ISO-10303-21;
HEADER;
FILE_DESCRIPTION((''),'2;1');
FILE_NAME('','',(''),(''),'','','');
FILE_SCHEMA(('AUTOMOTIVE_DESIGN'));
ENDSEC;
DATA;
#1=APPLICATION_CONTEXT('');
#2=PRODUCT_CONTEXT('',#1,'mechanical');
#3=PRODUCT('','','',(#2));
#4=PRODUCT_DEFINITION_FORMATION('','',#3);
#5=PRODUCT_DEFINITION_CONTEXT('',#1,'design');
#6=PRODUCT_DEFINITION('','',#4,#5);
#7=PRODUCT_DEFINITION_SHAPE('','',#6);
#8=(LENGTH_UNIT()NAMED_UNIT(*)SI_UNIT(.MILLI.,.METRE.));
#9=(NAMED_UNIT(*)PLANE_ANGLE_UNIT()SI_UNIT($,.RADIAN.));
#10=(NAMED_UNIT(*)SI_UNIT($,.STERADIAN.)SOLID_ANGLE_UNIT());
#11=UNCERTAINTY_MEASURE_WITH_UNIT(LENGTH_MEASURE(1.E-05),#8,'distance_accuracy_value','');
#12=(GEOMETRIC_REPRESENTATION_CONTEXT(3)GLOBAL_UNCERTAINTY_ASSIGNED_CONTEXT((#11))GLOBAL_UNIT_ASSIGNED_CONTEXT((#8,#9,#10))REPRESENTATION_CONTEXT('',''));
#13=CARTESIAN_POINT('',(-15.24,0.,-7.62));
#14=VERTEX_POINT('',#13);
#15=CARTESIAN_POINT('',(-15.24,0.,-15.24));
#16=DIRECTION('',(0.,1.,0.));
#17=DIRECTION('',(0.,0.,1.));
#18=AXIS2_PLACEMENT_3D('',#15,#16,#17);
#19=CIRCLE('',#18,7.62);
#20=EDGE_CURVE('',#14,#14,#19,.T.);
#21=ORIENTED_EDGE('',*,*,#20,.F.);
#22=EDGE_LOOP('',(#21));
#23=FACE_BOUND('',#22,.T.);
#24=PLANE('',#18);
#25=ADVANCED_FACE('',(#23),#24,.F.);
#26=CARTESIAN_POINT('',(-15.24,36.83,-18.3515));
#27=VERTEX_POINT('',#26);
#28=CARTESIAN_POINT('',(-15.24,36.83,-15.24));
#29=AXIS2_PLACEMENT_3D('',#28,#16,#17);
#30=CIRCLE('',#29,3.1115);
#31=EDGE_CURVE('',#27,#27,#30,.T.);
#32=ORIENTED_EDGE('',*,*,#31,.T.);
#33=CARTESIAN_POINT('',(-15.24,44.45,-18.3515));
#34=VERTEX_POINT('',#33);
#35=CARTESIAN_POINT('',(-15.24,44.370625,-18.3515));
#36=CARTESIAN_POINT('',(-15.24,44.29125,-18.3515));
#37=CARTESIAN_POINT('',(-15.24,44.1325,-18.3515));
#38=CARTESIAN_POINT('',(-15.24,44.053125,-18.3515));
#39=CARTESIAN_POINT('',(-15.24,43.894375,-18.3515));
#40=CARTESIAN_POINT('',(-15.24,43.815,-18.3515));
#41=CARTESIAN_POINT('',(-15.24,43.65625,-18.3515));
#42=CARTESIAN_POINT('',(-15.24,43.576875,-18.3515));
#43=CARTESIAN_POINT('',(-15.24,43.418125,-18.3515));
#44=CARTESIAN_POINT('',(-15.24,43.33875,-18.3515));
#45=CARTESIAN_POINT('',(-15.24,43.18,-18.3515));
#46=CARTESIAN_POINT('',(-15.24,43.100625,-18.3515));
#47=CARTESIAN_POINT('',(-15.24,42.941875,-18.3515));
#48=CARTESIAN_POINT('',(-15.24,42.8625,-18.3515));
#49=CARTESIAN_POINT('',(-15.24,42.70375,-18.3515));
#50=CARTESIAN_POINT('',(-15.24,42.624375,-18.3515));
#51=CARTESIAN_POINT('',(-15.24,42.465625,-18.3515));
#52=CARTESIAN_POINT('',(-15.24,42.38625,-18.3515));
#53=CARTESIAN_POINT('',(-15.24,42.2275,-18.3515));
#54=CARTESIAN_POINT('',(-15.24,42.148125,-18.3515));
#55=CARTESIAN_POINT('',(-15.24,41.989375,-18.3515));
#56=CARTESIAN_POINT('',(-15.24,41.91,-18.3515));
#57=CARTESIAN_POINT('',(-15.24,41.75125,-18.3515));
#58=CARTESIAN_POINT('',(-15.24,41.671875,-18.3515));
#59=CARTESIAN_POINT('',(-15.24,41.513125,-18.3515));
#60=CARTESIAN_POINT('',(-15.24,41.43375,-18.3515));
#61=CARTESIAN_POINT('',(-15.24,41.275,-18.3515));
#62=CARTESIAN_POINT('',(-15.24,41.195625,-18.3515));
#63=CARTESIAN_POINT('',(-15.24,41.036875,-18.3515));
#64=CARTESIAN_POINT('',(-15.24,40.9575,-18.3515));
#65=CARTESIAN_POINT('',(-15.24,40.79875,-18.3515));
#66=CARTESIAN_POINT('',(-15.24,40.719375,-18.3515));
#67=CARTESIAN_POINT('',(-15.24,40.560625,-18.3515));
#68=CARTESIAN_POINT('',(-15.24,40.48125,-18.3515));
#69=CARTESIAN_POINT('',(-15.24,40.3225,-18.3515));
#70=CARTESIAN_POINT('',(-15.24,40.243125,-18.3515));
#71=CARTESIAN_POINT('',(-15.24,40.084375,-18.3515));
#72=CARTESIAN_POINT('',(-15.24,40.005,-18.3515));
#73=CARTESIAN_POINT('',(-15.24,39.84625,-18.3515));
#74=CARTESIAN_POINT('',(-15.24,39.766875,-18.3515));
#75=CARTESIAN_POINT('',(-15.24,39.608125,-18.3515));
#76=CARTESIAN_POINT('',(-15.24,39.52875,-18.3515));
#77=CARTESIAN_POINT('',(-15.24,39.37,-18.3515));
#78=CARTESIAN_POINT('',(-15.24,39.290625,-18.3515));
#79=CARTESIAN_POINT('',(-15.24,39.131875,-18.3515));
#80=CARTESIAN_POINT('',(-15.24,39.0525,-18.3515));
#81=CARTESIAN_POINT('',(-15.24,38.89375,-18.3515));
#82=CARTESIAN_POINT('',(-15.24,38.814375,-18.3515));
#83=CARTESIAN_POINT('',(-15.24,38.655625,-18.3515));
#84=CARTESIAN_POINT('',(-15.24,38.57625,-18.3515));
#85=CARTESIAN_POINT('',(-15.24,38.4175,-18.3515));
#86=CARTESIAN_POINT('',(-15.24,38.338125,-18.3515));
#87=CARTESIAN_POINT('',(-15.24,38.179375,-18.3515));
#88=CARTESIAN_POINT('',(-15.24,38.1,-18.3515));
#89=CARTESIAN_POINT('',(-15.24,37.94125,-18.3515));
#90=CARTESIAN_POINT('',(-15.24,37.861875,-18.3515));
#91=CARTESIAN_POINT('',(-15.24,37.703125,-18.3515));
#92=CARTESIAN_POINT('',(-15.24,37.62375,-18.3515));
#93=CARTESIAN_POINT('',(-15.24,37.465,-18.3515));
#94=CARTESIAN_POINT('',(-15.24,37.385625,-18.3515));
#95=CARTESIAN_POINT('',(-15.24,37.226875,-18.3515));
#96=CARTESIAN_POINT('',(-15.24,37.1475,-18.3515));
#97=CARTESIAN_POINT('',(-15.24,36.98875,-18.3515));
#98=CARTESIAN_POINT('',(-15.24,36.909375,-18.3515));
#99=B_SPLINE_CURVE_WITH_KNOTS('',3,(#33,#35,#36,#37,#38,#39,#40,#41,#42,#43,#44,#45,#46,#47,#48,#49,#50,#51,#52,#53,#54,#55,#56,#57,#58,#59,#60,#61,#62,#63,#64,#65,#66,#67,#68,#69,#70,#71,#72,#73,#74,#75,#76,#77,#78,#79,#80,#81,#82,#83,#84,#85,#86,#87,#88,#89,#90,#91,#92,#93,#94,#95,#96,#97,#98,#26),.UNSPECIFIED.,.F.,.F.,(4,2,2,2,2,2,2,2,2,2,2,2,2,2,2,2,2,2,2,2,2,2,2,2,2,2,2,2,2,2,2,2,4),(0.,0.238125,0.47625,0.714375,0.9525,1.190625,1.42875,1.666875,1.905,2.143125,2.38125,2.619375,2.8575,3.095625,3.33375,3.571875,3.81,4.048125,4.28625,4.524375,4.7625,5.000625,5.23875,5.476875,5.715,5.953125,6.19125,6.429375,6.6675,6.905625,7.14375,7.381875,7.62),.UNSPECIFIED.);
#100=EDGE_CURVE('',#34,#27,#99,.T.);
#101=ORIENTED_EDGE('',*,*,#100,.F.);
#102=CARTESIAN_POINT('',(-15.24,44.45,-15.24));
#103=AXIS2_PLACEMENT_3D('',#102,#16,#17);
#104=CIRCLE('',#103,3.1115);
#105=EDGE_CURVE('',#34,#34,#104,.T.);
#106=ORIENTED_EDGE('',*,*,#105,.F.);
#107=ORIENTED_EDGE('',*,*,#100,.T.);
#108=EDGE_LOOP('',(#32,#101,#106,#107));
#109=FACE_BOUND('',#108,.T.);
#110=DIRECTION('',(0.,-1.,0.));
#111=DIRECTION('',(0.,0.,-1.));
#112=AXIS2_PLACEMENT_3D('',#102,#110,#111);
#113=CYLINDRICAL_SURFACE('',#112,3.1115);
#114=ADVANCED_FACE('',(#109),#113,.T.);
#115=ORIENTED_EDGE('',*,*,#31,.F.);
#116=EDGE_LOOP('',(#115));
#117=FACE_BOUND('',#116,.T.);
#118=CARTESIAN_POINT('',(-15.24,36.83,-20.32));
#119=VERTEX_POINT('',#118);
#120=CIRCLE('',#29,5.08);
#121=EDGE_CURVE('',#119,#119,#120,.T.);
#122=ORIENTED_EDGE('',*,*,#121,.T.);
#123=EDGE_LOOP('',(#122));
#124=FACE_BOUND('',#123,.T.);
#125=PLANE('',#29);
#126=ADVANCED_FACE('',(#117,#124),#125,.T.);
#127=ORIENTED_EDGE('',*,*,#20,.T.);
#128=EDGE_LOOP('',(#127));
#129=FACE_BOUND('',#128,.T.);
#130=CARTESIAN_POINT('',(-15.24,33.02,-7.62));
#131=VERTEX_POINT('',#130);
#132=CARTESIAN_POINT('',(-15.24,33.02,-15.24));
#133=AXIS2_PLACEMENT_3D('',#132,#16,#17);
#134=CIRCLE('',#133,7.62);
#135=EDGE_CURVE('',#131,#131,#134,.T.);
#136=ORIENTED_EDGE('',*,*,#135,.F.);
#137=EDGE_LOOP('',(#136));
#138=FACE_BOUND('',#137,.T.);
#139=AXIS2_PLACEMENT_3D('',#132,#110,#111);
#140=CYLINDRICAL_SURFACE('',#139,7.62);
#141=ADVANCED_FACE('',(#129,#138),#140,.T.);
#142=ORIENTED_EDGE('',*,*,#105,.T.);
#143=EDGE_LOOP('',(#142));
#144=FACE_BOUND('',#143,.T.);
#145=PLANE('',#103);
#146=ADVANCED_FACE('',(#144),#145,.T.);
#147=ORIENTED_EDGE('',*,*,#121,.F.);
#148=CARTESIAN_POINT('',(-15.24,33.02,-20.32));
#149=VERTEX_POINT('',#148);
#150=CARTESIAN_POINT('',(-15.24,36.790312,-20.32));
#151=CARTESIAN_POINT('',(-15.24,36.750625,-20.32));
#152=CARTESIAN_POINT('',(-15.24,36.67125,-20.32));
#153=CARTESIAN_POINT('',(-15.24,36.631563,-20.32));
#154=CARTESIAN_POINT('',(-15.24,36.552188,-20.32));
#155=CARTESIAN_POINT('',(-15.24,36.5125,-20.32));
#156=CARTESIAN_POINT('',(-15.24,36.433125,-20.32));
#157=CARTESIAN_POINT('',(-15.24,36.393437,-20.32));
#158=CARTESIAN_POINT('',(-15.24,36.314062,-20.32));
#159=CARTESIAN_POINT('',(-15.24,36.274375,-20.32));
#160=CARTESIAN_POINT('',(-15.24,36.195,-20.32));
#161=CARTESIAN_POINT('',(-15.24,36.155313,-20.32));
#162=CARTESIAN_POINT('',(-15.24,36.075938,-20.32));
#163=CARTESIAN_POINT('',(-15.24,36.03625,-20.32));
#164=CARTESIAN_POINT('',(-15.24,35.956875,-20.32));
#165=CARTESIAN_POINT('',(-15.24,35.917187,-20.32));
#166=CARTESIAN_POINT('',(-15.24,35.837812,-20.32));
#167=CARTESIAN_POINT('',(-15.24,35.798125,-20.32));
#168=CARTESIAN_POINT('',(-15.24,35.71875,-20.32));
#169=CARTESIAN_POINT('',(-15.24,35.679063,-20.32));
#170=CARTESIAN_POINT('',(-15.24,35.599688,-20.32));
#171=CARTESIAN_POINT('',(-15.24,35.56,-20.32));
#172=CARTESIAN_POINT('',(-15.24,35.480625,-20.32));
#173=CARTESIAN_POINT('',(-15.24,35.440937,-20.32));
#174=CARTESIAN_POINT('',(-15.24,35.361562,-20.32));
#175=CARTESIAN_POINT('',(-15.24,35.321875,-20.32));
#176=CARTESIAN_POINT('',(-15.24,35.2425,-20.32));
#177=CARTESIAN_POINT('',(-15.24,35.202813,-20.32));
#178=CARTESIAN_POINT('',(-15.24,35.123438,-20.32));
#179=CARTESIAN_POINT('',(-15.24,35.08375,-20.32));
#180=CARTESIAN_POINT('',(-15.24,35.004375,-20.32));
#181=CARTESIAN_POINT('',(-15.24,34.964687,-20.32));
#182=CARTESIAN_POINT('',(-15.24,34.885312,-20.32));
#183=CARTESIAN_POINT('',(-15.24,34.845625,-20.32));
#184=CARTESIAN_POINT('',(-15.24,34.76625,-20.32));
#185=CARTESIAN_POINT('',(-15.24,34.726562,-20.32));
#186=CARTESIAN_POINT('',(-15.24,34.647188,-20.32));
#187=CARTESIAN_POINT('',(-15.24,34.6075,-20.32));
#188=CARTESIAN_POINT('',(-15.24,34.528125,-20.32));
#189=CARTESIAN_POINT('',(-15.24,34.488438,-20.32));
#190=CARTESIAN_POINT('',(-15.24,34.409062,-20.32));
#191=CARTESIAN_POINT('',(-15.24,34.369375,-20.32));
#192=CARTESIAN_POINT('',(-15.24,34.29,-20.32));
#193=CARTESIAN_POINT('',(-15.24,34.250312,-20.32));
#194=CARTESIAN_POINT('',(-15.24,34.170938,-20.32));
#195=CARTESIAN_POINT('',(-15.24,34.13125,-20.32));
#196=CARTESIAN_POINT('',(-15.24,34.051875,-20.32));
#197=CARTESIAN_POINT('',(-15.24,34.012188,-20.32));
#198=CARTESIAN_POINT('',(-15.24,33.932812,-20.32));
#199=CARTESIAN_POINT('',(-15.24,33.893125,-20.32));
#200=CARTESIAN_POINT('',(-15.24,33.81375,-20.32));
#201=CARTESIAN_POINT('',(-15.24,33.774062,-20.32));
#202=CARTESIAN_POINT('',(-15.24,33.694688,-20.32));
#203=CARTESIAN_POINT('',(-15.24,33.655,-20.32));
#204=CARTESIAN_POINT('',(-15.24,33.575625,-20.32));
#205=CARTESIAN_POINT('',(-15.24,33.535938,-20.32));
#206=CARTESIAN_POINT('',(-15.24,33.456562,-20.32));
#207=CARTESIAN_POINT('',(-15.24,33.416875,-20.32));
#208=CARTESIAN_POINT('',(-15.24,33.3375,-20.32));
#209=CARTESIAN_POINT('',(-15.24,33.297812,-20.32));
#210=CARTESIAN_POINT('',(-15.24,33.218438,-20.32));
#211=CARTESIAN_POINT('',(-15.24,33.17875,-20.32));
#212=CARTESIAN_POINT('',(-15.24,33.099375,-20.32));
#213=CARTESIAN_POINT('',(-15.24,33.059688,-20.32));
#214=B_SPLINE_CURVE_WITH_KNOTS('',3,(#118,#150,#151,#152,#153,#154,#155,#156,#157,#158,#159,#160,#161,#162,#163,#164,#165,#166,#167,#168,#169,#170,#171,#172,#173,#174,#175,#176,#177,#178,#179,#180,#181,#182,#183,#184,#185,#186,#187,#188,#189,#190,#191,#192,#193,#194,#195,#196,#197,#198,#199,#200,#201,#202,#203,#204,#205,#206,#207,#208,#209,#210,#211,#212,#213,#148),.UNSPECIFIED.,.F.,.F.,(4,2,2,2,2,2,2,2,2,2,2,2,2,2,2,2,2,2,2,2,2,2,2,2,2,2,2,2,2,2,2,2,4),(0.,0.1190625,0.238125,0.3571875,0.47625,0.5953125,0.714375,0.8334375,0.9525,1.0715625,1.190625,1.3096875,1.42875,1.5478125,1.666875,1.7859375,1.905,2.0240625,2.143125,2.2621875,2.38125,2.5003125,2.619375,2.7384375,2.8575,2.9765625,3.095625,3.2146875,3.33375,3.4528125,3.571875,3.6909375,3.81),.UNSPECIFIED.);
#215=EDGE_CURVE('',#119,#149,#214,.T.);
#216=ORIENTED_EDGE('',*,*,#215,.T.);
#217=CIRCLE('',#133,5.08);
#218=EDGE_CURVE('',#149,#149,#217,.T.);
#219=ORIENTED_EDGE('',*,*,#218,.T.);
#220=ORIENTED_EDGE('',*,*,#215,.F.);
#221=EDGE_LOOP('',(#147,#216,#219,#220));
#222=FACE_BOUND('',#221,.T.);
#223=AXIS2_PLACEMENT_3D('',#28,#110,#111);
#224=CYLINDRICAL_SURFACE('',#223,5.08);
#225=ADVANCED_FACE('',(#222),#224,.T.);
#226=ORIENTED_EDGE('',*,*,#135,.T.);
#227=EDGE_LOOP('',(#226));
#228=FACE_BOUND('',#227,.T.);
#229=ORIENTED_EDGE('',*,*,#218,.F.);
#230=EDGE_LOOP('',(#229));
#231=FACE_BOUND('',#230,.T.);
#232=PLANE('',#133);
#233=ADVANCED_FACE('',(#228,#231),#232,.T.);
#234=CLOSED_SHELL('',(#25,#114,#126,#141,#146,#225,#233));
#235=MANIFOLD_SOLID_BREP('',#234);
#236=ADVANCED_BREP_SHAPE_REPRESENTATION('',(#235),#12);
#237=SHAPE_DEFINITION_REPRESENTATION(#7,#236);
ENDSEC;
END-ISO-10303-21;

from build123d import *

# Parameters (mm, degrees)
SKETCH3_R           = 7.62
BOSS_EXTRUDE1_DEPTH = 33.02
SKETCH4_R           = 5.08
BOSS_EXTRUDE2_DEPTH = 3.81
SKETCH5_R           = 3.1115
BOSS_EXTRUDE3_DEPTH = 7.62


with BuildPart() as part:
    # Sketch3 → Boss-Extrude1 (new body)
    with BuildSketch(Plane(origin=(0, 0, 0), x_dir=(1, 0, 0), z_dir=(0, 1, 0))):
        with Locations(Location((-15.24, 15.24, 0), (0, 0, 270))):
            Circle(SKETCH3_R)
    extrude(amount=BOSS_EXTRUDE1_DEPTH)

    # Sketch4 → Boss-Extrude2 (add)
    with BuildSketch(Plane(origin=(0, 33.02, 0), x_dir=(1, 0, 0), z_dir=(0, 1, 0))):
        with Locations(Location((-15.24, 15.24, 0), (0, 0, 90))):
            Circle(SKETCH4_R)
    extrude(amount=BOSS_EXTRUDE2_DEPTH)

    # Sketch5 → Boss-Extrude3 (add)
    with BuildSketch(Plane(origin=(0, 36.83, 0), x_dir=(1, 0, 0), z_dir=(0, 1, 0))):
        with Locations(Location((-15.24, 15.24, 0), (0, 0, 90))):
            Circle(SKETCH5_R)
    extrude(amount=BOSS_EXTRUDE3_DEPTH)


solid = part.part
